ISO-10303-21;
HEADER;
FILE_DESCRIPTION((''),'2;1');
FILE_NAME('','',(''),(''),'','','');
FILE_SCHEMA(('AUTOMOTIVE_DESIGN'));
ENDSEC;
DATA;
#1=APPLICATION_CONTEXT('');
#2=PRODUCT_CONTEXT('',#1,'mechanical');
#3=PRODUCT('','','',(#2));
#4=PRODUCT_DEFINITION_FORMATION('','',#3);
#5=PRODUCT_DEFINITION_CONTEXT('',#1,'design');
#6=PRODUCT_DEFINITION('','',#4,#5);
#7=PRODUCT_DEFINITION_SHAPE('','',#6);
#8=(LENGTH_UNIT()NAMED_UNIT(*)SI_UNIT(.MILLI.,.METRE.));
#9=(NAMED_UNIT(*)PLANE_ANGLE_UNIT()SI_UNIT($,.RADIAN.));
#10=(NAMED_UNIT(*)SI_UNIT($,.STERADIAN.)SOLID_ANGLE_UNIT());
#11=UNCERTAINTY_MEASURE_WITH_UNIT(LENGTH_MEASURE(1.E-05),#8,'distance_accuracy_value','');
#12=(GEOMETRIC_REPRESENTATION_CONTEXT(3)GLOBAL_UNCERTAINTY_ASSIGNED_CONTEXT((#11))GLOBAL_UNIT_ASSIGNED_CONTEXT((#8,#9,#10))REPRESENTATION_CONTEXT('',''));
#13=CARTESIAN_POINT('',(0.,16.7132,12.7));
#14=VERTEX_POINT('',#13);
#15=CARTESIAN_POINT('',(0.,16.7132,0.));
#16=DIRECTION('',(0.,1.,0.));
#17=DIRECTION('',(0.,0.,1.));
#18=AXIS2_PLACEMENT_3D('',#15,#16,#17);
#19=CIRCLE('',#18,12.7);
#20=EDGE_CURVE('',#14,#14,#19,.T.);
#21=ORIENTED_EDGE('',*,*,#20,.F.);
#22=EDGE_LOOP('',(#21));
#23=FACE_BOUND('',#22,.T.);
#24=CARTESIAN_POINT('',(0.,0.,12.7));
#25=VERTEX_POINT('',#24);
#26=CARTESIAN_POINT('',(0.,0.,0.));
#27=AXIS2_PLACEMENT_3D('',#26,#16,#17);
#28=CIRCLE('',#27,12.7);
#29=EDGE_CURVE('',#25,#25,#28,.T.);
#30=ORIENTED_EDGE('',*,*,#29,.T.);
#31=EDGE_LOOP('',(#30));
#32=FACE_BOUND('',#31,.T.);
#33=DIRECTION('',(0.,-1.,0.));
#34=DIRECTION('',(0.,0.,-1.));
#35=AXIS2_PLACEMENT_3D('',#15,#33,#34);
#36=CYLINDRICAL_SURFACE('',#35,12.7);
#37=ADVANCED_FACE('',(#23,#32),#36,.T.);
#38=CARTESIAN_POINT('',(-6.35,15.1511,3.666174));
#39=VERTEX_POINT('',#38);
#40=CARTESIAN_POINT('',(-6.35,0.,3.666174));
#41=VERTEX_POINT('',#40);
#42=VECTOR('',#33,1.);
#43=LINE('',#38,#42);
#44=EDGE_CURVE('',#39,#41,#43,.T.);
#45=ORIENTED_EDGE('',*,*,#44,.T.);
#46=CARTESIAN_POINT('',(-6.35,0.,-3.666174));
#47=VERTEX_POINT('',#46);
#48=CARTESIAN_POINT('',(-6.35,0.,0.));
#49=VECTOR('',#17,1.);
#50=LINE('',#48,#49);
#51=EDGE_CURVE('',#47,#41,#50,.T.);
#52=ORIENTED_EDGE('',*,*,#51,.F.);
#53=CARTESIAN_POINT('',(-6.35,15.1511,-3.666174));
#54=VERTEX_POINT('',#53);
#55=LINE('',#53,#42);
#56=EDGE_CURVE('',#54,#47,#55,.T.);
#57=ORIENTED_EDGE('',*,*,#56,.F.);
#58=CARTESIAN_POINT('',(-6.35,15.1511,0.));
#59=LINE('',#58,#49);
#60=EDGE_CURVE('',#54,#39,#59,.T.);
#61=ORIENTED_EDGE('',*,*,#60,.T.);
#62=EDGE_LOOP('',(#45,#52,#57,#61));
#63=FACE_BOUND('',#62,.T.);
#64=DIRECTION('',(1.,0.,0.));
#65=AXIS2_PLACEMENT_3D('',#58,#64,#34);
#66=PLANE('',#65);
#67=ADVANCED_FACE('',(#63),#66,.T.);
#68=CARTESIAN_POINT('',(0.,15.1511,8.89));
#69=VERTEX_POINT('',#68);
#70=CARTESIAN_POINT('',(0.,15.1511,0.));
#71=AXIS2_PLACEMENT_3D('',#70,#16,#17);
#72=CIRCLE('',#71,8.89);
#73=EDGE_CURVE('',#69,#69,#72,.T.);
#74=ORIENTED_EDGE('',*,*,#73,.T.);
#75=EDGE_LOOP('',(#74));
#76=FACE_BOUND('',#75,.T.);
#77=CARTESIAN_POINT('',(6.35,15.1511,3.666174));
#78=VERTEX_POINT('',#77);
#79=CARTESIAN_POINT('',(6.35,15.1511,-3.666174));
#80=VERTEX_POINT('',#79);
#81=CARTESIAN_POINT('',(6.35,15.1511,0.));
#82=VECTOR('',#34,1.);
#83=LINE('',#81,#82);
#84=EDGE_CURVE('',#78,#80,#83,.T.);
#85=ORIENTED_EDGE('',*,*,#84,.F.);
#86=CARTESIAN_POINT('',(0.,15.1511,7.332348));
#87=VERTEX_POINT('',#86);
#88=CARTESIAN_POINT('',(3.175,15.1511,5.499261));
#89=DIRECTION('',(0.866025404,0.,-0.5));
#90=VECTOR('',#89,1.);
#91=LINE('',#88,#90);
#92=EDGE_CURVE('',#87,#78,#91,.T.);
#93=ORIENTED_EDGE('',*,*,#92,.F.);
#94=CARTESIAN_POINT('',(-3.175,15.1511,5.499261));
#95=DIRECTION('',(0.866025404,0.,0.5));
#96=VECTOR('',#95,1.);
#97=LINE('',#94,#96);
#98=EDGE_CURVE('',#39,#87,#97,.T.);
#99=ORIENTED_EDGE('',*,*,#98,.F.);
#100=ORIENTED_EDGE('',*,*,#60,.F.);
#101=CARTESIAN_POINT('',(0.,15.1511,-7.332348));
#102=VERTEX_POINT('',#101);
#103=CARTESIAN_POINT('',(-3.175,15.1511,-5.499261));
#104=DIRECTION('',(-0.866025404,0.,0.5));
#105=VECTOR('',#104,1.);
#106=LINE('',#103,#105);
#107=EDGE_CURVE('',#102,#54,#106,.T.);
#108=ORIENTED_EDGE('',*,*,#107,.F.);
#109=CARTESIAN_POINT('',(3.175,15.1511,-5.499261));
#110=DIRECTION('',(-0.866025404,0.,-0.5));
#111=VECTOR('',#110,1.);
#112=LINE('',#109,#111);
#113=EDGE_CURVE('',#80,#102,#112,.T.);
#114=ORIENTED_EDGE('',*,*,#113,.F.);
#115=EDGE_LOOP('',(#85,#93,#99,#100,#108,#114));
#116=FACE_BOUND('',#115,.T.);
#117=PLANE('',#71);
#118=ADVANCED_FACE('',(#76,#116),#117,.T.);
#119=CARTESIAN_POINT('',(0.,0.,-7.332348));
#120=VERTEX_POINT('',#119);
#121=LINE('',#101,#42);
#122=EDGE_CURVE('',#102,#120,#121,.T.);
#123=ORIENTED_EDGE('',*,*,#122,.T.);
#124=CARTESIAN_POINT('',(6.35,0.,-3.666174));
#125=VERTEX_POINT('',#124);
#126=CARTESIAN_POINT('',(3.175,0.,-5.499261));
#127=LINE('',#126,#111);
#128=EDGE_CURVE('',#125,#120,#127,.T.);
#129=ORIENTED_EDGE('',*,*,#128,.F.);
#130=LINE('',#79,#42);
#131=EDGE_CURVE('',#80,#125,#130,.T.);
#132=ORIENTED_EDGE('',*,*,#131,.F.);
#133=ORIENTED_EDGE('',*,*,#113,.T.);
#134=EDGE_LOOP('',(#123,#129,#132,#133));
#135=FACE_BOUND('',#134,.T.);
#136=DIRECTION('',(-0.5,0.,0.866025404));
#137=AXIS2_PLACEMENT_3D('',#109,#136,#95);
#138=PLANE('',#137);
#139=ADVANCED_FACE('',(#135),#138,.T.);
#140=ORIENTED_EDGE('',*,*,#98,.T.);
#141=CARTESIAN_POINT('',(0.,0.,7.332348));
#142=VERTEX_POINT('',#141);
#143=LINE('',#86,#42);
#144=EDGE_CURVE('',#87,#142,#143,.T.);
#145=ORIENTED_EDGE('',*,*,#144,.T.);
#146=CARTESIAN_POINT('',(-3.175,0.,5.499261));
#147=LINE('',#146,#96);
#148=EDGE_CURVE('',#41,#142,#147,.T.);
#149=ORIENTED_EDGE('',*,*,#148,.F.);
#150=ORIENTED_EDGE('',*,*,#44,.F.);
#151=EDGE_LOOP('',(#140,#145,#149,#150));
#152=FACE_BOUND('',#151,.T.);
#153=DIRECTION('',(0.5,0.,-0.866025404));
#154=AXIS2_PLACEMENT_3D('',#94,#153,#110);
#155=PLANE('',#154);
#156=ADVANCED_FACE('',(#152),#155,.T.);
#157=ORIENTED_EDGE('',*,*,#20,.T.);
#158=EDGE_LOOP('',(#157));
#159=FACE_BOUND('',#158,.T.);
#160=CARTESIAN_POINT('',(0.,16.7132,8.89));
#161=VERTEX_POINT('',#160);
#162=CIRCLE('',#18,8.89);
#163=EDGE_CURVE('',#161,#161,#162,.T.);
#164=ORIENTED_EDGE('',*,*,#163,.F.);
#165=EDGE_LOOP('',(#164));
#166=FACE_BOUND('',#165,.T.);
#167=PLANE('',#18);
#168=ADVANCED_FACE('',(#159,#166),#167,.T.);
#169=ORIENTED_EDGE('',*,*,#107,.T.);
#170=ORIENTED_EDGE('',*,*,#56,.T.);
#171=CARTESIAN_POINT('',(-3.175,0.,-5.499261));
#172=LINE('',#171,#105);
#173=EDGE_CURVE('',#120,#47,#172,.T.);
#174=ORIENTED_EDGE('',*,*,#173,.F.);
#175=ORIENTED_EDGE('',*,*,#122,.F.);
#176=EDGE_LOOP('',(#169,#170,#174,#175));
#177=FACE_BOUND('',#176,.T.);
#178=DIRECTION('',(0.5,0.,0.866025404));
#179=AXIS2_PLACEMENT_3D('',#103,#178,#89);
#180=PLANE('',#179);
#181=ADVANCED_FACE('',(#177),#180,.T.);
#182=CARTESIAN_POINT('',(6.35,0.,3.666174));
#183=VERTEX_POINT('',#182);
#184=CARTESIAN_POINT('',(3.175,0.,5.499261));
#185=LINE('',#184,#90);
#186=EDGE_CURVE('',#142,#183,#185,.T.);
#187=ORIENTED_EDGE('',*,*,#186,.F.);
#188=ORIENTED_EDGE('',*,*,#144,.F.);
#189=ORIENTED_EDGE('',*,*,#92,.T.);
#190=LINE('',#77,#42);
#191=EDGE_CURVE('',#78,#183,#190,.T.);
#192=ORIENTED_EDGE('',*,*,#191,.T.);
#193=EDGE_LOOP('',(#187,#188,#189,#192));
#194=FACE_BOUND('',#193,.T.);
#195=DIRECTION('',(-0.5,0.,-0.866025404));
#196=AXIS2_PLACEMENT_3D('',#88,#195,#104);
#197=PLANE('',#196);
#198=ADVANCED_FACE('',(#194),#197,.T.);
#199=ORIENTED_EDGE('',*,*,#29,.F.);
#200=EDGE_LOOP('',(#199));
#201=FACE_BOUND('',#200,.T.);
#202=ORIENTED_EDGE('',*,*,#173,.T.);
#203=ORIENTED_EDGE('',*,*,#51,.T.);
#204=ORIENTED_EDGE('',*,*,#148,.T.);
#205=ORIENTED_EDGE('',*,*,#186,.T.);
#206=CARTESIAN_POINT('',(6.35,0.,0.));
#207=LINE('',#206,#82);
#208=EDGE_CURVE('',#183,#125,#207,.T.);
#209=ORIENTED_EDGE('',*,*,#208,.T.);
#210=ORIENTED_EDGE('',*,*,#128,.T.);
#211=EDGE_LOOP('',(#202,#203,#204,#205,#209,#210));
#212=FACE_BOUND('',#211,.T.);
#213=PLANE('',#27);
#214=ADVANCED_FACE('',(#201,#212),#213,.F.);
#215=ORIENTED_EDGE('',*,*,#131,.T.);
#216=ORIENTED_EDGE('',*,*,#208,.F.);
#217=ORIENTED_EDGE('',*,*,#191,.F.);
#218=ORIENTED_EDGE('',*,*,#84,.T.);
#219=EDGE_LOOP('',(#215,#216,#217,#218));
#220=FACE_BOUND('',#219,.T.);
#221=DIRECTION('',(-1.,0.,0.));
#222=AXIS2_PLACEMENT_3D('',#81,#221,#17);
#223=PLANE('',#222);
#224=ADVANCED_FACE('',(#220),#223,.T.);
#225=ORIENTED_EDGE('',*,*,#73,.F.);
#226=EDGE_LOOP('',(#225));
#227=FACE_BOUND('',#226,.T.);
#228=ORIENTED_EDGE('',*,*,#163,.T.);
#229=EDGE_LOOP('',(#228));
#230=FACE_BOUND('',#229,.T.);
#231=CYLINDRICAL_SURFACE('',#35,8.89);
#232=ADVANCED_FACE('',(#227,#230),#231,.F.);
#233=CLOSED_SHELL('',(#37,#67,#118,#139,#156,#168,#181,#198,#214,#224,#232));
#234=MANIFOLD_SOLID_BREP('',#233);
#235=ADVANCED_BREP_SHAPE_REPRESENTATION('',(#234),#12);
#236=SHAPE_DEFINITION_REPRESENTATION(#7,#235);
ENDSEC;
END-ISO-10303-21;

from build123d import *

# Parameters (mm, degrees)
SKETCH1_R           = 12.7
SKETCH1_R_2         = 8.89
BOSS_EXTRUDE1_DEPTH = 16.7132
SKETCH1_3_R         = 8.89
BOSS_EXTRUDE2_DEPTH = 15.1511


with BuildPart() as part:
    # Sketch1 → Boss-Extrude1 (new body)
    with BuildSketch(Plane(origin=(0, 0, 0), x_dir=(1, 0, 0), z_dir=(0, 1, 0))):
        Circle(SKETCH1_R)
        Circle(SKETCH1_R_2, mode=Mode.SUBTRACT)
    extrude(amount=BOSS_EXTRUDE1_DEPTH)

    # Sketch1<3> → Boss-Extrude2 (add)
    with BuildSketch(Plane(origin=(0, 0, 0), x_dir=(1, 0, 0), z_dir=(0, 1, 0))):
        Circle(SKETCH1_3_R)
        Polygon((0, 7.332348419), (6.35, 3.666174209), (6.35, -3.666174209), (0, -7.332348419), (-6.35, -3.666174209), (-6.35, 3.666174209), align=None, mode=Mode.SUBTRACT)
    extrude(amount=BOSS_EXTRUDE2_DEPTH)


solid = part.part
